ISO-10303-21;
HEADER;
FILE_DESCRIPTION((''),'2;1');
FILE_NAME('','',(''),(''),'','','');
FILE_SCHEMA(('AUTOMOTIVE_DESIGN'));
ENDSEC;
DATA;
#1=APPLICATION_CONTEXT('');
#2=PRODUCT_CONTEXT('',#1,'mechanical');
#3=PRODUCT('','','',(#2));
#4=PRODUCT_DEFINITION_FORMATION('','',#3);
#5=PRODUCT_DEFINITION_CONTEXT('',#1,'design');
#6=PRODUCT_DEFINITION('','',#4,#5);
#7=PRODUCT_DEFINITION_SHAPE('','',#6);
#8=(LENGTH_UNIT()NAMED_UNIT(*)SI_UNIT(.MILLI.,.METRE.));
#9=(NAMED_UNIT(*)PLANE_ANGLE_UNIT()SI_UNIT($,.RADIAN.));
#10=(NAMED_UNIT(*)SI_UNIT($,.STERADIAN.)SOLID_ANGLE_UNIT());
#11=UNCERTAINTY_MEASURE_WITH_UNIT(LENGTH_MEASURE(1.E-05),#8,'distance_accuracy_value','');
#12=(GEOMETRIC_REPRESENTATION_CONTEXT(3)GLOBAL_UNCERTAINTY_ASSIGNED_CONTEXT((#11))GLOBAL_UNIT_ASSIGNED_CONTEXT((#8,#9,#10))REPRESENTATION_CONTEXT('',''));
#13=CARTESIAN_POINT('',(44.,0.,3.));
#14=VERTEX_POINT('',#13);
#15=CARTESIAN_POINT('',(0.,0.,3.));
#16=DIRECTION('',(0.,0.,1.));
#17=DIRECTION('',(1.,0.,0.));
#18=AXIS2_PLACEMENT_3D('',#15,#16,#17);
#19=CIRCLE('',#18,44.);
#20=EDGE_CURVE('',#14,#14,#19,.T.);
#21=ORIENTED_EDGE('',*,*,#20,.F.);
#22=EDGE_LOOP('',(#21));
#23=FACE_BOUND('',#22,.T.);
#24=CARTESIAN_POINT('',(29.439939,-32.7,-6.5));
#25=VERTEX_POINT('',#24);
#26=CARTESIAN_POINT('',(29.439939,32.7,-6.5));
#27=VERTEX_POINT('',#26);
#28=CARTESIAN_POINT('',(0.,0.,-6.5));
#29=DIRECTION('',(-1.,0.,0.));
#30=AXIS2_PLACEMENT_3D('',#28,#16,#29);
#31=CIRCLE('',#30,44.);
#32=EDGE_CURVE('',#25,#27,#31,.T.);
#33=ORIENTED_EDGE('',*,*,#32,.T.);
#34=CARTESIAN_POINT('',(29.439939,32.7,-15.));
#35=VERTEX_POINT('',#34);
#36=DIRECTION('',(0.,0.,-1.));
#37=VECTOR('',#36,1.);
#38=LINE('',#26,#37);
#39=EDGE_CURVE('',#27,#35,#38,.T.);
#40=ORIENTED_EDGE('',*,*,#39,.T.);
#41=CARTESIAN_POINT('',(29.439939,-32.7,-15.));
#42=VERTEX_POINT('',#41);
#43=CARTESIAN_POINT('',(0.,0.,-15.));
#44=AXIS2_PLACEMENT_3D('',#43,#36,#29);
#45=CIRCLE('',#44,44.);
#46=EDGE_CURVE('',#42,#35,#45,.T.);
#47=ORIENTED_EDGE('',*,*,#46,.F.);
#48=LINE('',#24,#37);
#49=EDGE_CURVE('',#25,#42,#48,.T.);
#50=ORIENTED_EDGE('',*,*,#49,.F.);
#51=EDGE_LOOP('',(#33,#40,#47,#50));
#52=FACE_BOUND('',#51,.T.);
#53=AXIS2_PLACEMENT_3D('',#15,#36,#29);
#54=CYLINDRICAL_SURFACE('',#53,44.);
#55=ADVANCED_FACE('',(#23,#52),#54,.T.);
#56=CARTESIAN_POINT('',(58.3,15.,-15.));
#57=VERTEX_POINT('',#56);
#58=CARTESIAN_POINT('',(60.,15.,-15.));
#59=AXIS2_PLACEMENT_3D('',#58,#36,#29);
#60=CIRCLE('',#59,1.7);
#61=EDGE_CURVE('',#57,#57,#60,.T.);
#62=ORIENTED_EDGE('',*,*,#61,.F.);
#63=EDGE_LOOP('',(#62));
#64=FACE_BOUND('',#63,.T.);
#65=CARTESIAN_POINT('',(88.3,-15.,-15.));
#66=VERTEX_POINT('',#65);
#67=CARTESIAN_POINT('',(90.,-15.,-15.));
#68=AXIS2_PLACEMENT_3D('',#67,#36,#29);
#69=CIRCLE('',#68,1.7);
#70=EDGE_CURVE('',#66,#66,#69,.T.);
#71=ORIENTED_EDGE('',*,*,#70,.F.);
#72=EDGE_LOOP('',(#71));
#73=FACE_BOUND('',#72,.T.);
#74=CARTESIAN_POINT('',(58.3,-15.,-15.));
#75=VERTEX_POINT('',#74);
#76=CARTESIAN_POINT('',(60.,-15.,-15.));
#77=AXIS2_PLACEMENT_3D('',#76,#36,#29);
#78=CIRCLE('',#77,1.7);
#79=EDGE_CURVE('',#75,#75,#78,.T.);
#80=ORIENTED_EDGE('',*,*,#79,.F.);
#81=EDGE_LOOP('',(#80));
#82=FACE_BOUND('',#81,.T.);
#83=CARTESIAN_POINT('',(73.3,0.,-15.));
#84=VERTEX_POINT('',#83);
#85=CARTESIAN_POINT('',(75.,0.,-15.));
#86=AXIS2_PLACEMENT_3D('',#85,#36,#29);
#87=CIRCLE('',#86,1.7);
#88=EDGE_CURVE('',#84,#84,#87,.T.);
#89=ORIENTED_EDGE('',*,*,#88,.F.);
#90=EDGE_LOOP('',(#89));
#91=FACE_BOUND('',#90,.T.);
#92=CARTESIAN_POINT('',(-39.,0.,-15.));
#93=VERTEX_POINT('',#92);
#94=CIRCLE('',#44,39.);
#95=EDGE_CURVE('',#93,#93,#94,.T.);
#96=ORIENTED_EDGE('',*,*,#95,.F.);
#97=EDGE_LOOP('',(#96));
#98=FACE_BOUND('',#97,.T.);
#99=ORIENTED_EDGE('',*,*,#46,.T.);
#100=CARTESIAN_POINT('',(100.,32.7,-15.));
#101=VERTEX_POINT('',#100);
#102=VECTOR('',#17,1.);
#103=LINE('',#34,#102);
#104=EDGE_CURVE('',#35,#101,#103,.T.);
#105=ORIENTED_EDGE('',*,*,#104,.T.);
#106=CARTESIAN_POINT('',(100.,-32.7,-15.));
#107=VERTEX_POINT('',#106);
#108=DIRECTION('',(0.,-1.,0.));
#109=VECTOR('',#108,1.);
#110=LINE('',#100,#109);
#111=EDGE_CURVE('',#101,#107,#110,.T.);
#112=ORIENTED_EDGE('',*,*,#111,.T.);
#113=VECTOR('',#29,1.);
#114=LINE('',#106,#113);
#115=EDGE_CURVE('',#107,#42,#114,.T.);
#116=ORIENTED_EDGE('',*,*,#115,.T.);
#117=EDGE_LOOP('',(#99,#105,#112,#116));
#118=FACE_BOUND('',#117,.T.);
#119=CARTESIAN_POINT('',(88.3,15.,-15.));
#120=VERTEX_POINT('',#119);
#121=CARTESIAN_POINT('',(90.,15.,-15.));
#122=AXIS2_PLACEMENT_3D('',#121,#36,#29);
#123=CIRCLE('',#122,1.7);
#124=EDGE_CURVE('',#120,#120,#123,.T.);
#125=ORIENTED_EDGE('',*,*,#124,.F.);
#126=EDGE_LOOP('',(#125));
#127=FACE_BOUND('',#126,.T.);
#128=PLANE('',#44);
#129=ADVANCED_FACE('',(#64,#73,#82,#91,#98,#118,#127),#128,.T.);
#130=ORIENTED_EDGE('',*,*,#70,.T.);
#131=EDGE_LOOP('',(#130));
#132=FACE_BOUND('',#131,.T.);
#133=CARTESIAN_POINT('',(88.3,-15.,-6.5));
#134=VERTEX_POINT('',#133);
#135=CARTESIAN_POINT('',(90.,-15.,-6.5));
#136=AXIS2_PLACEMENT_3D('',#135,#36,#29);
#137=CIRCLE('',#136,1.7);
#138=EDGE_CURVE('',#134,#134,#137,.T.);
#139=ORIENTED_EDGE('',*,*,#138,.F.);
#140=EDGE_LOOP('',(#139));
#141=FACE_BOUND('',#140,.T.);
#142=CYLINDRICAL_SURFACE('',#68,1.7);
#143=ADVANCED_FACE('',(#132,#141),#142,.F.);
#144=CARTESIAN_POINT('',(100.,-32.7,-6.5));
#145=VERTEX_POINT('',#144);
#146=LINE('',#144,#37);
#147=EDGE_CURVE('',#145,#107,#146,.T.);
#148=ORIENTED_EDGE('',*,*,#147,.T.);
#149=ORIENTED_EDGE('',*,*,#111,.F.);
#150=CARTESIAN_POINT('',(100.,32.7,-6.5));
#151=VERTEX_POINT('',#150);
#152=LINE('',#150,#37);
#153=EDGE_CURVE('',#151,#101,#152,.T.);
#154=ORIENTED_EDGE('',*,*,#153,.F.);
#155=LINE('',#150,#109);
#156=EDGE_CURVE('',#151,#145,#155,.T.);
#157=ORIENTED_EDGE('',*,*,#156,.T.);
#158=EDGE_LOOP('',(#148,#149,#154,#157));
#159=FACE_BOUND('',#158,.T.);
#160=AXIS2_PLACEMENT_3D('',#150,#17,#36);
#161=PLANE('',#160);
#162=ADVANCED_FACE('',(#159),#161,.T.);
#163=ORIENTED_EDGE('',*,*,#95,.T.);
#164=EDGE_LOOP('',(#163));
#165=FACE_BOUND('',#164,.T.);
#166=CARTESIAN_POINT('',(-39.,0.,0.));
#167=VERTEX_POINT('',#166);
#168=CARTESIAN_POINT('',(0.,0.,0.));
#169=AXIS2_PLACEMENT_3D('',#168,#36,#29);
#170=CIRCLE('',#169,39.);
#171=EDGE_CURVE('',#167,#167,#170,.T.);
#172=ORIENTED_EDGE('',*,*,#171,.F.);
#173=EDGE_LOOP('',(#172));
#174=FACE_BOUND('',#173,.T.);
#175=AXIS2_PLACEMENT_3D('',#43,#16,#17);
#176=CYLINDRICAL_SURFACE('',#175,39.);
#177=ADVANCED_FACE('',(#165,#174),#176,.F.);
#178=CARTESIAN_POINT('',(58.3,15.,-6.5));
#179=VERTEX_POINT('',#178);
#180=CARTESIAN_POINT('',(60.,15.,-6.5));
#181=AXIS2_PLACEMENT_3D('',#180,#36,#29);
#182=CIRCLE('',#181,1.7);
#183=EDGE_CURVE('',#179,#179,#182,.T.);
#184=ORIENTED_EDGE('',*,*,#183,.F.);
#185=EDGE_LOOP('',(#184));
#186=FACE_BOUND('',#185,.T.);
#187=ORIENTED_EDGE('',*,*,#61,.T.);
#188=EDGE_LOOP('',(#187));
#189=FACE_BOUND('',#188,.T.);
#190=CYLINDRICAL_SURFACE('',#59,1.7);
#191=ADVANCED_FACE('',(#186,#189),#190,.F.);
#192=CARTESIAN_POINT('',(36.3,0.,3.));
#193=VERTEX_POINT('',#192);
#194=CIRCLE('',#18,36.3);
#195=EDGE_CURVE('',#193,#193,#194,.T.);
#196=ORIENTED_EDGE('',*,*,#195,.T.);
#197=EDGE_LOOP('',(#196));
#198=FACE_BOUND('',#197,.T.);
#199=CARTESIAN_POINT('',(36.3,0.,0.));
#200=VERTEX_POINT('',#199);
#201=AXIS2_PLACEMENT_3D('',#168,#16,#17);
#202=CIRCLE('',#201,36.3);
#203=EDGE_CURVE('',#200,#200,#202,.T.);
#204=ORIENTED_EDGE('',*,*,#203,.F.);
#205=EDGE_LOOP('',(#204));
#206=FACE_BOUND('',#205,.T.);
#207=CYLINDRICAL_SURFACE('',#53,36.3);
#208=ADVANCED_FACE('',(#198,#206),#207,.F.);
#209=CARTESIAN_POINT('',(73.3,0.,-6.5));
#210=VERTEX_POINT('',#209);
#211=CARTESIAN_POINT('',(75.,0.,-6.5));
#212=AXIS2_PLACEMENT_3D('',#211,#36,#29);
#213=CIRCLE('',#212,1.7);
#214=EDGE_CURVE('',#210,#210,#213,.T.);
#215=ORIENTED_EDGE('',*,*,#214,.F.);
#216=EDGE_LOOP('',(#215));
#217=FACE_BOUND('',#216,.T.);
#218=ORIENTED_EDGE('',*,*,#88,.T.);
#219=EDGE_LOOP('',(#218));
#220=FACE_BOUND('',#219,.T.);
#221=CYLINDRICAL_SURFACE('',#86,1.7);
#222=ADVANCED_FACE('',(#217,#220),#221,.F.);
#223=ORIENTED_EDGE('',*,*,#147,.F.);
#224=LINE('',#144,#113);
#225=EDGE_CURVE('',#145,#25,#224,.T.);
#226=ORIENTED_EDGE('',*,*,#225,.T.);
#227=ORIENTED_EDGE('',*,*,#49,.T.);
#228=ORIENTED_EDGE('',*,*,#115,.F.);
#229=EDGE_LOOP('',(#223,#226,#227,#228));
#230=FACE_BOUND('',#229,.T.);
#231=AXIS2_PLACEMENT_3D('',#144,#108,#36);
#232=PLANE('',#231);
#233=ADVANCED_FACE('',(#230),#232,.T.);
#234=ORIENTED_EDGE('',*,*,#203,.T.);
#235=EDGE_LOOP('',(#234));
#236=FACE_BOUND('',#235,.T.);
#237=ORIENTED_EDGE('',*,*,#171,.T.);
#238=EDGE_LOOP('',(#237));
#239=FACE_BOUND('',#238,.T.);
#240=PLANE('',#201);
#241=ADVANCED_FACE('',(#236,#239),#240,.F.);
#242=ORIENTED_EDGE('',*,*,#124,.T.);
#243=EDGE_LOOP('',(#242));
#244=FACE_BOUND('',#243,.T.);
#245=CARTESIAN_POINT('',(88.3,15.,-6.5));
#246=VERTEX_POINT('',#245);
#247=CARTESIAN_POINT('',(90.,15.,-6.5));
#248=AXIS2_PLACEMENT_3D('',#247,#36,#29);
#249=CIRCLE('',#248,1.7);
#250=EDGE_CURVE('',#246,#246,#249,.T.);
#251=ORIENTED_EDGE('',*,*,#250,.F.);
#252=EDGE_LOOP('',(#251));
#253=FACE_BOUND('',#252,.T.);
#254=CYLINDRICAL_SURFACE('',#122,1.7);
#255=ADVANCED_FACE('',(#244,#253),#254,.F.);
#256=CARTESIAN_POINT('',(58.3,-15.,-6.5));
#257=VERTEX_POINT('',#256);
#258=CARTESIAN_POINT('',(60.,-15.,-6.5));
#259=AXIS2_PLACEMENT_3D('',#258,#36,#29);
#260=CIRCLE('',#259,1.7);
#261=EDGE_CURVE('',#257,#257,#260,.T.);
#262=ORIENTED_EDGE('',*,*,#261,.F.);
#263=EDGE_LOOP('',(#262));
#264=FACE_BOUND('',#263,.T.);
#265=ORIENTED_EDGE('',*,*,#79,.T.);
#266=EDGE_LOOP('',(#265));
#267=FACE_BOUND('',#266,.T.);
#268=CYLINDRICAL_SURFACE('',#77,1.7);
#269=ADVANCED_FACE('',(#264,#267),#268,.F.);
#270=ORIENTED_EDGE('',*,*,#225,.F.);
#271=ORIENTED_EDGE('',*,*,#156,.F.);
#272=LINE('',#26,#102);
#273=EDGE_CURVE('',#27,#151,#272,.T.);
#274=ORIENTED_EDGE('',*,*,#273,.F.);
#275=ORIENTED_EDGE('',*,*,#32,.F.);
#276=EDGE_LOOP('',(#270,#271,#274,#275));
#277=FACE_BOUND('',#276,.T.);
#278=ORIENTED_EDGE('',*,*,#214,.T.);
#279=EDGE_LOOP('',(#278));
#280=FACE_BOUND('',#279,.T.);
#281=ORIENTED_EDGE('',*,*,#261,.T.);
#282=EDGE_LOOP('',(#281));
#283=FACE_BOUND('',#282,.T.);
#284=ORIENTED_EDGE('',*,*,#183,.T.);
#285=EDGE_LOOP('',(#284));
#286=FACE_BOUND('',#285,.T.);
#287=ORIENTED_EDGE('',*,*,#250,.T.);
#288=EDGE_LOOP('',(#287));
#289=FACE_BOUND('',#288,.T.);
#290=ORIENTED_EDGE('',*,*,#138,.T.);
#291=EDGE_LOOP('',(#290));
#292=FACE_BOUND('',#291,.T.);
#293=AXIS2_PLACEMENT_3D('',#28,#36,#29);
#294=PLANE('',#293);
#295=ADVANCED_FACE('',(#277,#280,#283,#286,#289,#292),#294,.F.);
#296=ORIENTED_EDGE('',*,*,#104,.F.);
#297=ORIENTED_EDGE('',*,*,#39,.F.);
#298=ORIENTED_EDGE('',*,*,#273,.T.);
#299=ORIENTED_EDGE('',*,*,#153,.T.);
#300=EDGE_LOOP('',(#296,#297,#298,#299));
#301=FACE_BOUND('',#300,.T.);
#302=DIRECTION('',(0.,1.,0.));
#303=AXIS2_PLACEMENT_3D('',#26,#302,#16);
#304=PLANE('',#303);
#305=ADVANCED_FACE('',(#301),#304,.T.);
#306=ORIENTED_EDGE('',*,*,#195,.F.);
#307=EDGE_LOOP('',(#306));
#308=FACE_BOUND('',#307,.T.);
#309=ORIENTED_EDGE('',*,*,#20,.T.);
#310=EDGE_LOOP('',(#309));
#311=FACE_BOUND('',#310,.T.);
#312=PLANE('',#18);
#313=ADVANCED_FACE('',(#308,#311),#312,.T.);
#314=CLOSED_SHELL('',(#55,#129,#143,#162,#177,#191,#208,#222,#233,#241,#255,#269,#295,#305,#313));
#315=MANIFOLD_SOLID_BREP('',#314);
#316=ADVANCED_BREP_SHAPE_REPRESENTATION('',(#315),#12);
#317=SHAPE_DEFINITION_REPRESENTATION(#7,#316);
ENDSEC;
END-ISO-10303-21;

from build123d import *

# Parameters (mm, degrees)
CROQUIS1_R                   = 44
CROQUIS1_R_2                 = 36.3
SALIENTE_EXTRUIR1_DEPTH      = 3
SALIENTE_EXTRUIR2_START      = 15
CROQUIS2_R                   = 44
CROQUIS2_R_2                 = 39
SALIENTE_EXTRUIR2_DEPTH      = 15
SALIENTE_EXTRUIR3_DEPTH      = 8.5
TALADRO_DE_MARGEN_PARA_M31_D = 3.4


with BuildPart() as part:
    # Croquis1 → Saliente-Extruir1 (new body)
    with BuildSketch(Plane.XY):
        Circle(CROQUIS1_R)
        Circle(CROQUIS1_R_2, mode=Mode.SUBTRACT)
    extrude(amount=SALIENTE_EXTRUIR1_DEPTH)

    # Croquis2 → Saliente-Extruir2 (add)
    with BuildSketch(Plane(origin=(0, 0, 0), x_dir=(-1, 0, 0), z_dir=(0, 0, -1)).offset(SALIENTE_EXTRUIR2_START)):
        Circle(CROQUIS2_R)
        Circle(CROQUIS2_R_2, mode=Mode.SUBTRACT)
    extrude(amount=-SALIENTE_EXTRUIR2_DEPTH)

    # Croquis3 → Saliente-Extruir3 (add)
    with BuildSketch(Plane(origin=(0, 0, -15), x_dir=(-1, 0, 0), z_dir=(0, 0, -1))):
        with BuildLine():
            Line((-29.439938859, 32.7), (-100, 32.7))
            Line((-100, 32.7), (-100, -32.7))
            Line((-100, -32.7), (-29.439938859, -32.7))
            ThreePointArc((-29.439938859, -32.7), (-44, 0), (-29.439938859, 32.7))
        make_face()
    extrude(amount=-SALIENTE_EXTRUIR3_DEPTH)

    # Taladro de margen para M31 (through all)
    with Locations(Plane(origin=(0, 0, -15), x_dir=(-1, 0, 0), z_dir=(0, 0, -1))):
        with Locations((-75, 0), (-90, 15), (-60, -15), (-60, 15), (-90, -15)):
            Hole(TALADRO_DE_MARGEN_PARA_M31_D / 2)


solid = part.part
